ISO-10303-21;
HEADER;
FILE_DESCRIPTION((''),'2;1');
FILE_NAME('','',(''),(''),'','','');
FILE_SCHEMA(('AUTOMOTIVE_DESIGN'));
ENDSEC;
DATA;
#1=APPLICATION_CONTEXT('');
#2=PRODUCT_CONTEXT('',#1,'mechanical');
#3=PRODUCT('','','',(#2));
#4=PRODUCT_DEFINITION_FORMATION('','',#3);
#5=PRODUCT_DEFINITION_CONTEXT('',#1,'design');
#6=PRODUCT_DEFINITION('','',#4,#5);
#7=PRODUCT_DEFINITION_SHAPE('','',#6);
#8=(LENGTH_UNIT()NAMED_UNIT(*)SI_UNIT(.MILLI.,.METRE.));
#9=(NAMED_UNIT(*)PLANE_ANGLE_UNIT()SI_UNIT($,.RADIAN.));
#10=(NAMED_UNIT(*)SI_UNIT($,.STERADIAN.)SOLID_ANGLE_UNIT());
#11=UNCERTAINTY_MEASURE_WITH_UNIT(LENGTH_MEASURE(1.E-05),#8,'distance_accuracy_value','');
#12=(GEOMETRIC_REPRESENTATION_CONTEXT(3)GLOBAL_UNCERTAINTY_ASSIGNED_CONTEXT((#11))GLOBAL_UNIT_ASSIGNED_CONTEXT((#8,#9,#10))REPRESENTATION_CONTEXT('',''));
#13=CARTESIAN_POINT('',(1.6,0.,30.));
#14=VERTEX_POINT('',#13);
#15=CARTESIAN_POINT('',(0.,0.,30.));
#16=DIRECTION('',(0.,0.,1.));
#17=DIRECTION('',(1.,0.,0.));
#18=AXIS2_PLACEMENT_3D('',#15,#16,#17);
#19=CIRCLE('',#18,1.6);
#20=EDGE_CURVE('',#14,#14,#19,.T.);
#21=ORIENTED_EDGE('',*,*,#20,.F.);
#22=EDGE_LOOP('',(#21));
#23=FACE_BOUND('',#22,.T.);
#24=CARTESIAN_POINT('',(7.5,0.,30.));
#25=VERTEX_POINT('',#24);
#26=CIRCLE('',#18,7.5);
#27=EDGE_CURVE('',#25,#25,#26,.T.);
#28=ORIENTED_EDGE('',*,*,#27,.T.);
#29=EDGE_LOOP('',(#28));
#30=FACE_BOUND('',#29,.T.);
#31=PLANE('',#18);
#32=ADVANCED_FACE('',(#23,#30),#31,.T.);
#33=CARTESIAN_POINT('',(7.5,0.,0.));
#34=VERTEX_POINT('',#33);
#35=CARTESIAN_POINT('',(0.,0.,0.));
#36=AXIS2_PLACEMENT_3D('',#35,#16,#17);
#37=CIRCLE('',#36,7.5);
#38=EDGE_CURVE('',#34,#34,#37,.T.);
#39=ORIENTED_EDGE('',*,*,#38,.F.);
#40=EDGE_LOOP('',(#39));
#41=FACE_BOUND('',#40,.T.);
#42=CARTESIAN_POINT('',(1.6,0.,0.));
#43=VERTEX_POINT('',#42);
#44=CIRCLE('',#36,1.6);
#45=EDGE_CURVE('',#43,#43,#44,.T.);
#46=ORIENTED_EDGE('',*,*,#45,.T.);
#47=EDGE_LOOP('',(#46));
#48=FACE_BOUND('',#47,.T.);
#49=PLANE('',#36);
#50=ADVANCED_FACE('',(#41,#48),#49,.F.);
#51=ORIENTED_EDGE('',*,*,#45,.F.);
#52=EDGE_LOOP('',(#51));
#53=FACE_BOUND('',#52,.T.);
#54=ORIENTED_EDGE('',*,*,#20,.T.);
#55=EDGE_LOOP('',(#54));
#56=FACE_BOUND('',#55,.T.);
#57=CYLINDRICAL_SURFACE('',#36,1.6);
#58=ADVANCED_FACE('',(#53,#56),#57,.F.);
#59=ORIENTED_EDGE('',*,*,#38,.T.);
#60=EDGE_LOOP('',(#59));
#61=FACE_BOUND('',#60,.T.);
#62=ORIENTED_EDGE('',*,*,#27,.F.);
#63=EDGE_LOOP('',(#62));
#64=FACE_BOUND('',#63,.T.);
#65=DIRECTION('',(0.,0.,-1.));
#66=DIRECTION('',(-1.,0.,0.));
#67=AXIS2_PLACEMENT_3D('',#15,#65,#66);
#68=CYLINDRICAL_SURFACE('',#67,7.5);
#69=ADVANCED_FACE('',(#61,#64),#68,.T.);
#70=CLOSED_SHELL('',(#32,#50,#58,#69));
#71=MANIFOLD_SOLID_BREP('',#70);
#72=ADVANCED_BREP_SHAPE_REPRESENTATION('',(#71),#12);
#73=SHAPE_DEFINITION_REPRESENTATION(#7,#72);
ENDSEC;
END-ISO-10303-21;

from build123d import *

# Parameters (mm, degrees)
SKETCH_1_R          = 7.5
EXTRUDE_1_DEPTH     = 30
SKETCH_2_R          = 1.6
CUT_EXTRUDE_1_DEPTH = 31


with BuildPart() as part:
    # ｽｹｯﾁ1 → ﾎﾞｽ - 押し出し1 (new body)
    with BuildSketch(Plane.XY):
        Circle(SKETCH_1_R)
    extrude(amount=EXTRUDE_1_DEPTH)

    # ｽｹｯﾁ2 → ｶｯﾄ - 押し出し1 (cut, through all)
    with BuildSketch(Plane.XY.offset(30)):
        Circle(SKETCH_2_R)
    extrude(amount=-CUT_EXTRUDE_1_DEPTH, mode=Mode.SUBTRACT)


solid = part.part
